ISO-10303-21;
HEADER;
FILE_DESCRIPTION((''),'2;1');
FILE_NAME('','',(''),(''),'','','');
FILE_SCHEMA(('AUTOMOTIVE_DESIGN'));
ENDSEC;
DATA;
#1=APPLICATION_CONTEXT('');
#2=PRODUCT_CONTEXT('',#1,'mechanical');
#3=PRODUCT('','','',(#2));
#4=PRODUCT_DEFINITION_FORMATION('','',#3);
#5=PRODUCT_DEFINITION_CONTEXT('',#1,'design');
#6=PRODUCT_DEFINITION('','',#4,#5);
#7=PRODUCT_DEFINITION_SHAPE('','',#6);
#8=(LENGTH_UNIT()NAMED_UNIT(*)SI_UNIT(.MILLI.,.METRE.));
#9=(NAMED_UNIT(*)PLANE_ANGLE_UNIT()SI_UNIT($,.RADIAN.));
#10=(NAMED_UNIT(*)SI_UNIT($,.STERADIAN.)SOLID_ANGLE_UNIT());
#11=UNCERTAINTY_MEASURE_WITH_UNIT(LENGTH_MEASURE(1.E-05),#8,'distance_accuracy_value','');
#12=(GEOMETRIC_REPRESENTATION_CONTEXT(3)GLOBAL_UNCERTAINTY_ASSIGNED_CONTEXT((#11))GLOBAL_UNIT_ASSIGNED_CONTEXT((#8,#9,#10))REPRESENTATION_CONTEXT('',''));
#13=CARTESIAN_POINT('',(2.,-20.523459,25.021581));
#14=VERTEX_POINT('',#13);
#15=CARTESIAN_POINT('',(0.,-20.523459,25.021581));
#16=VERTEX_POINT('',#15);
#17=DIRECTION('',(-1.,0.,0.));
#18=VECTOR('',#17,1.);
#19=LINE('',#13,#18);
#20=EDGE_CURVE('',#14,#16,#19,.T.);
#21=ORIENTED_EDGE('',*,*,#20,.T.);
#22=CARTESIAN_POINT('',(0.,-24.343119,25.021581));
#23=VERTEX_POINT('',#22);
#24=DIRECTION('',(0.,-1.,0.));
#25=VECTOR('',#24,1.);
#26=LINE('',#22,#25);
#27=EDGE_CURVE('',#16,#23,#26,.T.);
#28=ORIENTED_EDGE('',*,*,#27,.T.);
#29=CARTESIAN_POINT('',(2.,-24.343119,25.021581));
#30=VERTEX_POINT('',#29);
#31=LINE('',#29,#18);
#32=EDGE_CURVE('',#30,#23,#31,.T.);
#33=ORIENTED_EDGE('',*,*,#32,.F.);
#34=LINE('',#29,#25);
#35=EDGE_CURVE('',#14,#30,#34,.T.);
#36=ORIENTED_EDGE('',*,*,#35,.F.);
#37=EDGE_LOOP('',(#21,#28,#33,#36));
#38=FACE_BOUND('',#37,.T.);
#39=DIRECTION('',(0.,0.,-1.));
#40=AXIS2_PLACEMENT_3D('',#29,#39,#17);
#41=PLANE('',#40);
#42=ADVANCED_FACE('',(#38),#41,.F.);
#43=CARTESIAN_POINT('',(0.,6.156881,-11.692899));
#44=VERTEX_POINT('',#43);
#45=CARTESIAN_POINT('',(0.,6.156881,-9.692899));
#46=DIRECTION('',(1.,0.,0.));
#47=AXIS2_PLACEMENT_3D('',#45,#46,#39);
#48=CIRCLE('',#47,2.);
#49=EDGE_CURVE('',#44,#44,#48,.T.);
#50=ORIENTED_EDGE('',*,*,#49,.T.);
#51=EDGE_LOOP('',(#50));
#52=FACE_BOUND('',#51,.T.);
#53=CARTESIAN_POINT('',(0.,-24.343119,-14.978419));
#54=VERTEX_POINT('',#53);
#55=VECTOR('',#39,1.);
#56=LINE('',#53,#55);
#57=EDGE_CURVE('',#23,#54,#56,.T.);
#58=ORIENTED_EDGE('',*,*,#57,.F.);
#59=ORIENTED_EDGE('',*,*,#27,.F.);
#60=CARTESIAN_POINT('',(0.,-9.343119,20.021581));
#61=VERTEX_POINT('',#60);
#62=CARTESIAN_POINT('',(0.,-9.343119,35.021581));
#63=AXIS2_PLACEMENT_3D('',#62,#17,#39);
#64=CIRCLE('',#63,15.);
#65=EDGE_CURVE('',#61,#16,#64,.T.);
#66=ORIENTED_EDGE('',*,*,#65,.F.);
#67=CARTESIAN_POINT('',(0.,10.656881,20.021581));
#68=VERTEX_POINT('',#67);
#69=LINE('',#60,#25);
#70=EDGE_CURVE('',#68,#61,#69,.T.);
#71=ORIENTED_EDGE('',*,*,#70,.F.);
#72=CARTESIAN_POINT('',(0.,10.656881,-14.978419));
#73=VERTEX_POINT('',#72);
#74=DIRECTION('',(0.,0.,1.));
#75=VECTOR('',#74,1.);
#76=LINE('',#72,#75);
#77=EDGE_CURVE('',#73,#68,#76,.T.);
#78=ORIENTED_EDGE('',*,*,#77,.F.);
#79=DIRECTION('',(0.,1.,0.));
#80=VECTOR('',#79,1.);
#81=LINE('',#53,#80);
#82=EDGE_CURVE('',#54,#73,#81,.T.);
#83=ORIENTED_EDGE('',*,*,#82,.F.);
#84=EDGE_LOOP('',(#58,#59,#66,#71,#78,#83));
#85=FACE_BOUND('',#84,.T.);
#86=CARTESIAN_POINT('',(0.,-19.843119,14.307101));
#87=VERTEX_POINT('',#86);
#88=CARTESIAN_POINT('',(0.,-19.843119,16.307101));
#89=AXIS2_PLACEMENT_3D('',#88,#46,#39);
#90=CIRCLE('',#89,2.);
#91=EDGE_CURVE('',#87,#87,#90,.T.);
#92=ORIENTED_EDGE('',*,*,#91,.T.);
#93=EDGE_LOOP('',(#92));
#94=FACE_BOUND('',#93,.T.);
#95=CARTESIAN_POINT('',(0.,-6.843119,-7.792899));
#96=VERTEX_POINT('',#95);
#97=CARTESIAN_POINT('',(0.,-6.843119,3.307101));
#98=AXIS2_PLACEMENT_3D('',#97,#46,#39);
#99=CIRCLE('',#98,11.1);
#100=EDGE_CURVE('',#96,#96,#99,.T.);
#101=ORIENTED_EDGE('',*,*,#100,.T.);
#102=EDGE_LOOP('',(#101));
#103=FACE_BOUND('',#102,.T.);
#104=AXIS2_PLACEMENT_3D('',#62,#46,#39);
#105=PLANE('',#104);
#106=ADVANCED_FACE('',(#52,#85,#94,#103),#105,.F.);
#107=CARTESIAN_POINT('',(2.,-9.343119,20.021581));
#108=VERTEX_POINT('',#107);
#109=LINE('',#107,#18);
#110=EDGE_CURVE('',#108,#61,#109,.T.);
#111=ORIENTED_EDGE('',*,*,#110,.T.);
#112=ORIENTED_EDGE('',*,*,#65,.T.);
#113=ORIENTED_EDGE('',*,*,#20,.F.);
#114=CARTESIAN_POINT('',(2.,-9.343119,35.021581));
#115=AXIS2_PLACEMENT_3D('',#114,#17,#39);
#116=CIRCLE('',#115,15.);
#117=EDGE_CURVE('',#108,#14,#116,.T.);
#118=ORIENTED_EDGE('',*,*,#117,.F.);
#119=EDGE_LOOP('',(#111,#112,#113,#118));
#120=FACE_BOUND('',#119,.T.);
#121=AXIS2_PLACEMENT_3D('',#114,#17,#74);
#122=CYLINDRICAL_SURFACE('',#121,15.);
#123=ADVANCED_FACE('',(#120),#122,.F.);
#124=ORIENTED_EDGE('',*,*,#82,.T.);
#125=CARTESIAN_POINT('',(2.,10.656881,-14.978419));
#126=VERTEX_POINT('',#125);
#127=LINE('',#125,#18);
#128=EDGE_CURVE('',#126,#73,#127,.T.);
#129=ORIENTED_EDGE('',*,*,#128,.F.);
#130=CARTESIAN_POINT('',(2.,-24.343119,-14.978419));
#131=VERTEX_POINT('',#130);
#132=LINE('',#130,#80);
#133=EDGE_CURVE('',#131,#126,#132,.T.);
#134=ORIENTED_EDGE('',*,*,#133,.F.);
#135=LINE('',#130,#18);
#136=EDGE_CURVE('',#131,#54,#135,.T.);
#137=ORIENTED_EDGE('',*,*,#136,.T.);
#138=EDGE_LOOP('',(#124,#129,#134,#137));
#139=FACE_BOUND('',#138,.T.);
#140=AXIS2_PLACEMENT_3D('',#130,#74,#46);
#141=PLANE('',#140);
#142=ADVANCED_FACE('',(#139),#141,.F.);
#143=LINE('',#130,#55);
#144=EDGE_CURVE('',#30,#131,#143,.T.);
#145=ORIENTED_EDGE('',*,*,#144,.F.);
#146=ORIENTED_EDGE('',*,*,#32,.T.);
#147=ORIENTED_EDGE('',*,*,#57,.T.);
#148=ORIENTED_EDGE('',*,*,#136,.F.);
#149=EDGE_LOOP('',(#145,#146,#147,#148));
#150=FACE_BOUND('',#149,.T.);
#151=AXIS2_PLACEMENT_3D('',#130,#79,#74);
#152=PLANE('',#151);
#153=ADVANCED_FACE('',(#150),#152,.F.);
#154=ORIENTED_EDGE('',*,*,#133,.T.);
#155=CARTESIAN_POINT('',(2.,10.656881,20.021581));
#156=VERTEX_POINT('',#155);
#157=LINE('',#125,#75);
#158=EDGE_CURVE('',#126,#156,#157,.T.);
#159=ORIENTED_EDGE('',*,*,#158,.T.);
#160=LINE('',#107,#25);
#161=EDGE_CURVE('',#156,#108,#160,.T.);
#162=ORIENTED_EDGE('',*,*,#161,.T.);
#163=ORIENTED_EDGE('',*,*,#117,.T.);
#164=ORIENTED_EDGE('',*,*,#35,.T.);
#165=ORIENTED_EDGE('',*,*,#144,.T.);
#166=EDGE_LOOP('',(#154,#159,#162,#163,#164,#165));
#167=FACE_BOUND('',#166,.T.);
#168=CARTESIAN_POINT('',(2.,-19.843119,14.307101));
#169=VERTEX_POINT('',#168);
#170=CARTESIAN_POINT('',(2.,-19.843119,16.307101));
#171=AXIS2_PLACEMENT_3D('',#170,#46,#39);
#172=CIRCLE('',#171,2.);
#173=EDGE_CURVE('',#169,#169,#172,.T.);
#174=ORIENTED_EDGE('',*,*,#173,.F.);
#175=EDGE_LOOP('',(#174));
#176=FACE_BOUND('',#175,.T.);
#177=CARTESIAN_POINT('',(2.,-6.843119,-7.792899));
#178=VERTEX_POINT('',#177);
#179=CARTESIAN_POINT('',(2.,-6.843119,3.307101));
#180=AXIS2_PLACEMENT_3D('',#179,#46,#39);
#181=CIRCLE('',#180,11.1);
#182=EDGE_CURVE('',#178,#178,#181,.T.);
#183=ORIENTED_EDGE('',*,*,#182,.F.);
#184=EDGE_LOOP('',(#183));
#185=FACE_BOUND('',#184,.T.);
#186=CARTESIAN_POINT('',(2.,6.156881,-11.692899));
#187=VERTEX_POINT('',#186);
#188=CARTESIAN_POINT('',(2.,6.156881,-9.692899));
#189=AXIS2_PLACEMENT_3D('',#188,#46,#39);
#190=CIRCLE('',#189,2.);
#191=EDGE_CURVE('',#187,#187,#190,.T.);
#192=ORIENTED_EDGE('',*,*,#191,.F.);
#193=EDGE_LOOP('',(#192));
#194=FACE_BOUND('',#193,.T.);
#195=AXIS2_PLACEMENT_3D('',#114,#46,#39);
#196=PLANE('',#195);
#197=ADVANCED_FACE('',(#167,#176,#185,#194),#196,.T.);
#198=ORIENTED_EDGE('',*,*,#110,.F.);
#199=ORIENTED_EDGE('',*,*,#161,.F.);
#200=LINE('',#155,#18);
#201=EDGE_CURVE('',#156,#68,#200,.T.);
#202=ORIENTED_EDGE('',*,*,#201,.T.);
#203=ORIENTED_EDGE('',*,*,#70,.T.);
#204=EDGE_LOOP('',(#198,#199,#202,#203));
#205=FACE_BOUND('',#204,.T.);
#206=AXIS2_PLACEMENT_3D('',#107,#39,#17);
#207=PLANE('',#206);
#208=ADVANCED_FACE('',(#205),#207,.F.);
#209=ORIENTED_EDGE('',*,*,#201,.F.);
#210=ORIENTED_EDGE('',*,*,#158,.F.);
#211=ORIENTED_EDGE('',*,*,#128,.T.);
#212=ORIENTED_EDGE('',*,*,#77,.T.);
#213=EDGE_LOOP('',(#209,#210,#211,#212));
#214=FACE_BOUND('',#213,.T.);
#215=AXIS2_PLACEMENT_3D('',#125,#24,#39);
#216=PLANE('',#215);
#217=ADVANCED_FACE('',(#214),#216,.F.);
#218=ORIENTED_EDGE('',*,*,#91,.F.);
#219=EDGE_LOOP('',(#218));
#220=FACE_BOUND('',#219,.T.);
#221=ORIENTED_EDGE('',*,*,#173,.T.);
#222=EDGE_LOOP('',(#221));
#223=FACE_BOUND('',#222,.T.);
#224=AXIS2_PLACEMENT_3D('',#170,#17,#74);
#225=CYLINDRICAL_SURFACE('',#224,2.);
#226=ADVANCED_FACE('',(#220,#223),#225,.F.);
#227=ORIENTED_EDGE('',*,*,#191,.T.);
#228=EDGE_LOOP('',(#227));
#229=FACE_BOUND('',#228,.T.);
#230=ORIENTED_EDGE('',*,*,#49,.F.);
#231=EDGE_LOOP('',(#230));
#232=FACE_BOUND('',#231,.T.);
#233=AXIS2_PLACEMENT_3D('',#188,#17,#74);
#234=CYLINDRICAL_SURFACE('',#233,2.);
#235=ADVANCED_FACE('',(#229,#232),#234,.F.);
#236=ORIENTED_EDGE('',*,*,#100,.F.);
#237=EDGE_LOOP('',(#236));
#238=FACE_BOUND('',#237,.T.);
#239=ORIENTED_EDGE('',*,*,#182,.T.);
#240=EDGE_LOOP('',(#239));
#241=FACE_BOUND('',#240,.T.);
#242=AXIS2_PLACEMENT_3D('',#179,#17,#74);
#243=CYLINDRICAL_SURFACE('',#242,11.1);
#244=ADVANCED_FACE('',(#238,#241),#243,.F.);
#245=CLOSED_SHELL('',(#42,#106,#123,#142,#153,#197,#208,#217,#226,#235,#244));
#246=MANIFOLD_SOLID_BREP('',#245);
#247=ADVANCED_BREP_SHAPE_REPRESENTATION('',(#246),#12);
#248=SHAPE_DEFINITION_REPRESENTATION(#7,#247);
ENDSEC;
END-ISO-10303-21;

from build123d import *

# Parameters (mm, degrees)
SKETCH1_R           = 2
SKETCH1_R_2         = 11.1
BOSS_EXTRUDE1_DEPTH = 2


with BuildPart() as part:
    # Sketch1 → Boss-Extrude1 (new body)
    with BuildSketch(Plane(origin=(0, 0, 0), x_dir=(0, 0, -1), z_dir=(1, 0, 0))):
        with BuildLine():
            Line((14.978419371, -24.343119081), (14.978419371, 10.656880919))
            Line((14.978419371, 10.656880919), (-20.021580629, 10.656880919))
            Line((-20.021580629, 10.656880919), (-20.021580629, -9.343119081))
            ThreePointArc((-20.021580629, -9.343119081), (-21.328516692, -15.466843438), (-25.021580629, -20.523458968))
            Line((-25.021580629, -20.523458968), (-25.021580629, -24.343119081))
            Line((-25.021580629, -24.343119081), (14.978419371, -24.343119081))
        make_face()
        with Locations((9.692898744, 6.156880919)):
            Circle(SKETCH1_R, mode=Mode.SUBTRACT)
        with Locations((-16.307101256, -19.843119081)):
            Circle(SKETCH1_R, mode=Mode.SUBTRACT)
        with Locations((-3.307101256, -6.843119081)):
            Circle(SKETCH1_R_2, mode=Mode.SUBTRACT)
    extrude(amount=BOSS_EXTRUDE1_DEPTH)


solid = part.part
